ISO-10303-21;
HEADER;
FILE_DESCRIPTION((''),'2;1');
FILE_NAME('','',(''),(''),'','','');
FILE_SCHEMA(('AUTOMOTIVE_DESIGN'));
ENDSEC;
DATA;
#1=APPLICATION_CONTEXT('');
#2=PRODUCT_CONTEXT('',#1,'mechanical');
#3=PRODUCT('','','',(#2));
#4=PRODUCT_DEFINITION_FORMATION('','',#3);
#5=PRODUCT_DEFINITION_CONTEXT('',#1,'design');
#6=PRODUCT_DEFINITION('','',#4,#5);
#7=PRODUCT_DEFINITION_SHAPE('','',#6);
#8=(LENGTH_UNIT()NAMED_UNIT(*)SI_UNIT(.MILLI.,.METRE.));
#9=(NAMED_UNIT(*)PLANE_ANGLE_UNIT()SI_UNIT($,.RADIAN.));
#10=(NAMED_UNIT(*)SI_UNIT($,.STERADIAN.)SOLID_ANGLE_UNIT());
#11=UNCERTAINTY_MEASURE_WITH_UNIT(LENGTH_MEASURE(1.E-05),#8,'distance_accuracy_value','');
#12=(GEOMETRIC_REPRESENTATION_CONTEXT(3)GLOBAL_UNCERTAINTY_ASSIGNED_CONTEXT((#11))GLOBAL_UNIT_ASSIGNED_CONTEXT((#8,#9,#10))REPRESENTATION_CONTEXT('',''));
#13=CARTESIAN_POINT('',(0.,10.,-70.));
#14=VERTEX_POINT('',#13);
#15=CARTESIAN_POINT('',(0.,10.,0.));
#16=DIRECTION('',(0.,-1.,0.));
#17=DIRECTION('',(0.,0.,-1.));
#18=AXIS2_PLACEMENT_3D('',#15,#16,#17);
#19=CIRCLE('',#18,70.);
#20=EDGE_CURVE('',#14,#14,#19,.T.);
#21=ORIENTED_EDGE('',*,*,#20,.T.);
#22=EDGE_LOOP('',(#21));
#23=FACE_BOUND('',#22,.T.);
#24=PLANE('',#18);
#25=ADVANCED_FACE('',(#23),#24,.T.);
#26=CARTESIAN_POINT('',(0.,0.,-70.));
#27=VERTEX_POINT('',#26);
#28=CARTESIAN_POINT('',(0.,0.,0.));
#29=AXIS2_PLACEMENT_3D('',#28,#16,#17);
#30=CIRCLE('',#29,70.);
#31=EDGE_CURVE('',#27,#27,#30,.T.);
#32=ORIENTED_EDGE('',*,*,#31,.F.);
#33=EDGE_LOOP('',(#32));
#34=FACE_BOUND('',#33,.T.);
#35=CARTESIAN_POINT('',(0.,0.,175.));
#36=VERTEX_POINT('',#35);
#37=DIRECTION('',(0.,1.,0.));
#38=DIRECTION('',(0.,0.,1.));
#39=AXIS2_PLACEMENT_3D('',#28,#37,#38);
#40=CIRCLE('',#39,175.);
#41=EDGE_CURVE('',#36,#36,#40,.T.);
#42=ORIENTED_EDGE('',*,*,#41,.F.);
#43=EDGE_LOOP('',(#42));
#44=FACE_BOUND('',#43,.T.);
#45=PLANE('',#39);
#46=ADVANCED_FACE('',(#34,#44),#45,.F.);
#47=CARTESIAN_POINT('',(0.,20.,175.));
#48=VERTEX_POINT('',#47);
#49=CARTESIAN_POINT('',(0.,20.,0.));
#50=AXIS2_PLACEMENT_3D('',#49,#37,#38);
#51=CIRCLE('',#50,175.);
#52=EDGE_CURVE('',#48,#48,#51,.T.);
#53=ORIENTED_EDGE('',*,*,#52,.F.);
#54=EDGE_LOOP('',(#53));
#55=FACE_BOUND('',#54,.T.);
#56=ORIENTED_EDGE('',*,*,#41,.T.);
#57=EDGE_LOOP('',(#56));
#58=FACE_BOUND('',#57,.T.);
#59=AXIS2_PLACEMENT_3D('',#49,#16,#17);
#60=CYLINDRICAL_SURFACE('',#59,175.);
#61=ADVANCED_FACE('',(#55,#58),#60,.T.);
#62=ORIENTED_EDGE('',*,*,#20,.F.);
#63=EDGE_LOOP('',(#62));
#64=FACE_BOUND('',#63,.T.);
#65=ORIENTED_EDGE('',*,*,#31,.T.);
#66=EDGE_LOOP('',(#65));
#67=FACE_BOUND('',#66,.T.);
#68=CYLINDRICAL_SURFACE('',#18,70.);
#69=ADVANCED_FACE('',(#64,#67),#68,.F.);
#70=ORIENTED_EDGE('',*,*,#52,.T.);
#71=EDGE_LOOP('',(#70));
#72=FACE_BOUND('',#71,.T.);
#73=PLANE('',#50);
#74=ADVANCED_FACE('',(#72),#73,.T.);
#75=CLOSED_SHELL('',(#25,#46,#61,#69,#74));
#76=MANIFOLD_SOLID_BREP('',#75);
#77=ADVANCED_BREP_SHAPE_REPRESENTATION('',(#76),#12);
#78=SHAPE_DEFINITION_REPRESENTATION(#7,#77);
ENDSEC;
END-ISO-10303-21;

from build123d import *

# Parameters (mm, degrees)
SKETCH3_R           = 175
BOSS_EXTRUDE1_DEPTH = 20
SKETCH4_R           = 70
CUT_EXTRUDE1_DEPTH  = 10


with BuildPart() as part:
    # Sketch3 → Boss-Extrude1 (new body)
    with BuildSketch(Plane(origin=(0, 0, 0), x_dir=(1, 0, 0), z_dir=(0, 1, 0))):
        Circle(SKETCH3_R)
    extrude(amount=BOSS_EXTRUDE1_DEPTH)

    # Sketch4 → Cut-Extrude1 (cut)
    with BuildSketch(Plane.XZ):
        Circle(SKETCH4_R)
    extrude(amount=-CUT_EXTRUDE1_DEPTH, mode=Mode.SUBTRACT)


solid = part.part
